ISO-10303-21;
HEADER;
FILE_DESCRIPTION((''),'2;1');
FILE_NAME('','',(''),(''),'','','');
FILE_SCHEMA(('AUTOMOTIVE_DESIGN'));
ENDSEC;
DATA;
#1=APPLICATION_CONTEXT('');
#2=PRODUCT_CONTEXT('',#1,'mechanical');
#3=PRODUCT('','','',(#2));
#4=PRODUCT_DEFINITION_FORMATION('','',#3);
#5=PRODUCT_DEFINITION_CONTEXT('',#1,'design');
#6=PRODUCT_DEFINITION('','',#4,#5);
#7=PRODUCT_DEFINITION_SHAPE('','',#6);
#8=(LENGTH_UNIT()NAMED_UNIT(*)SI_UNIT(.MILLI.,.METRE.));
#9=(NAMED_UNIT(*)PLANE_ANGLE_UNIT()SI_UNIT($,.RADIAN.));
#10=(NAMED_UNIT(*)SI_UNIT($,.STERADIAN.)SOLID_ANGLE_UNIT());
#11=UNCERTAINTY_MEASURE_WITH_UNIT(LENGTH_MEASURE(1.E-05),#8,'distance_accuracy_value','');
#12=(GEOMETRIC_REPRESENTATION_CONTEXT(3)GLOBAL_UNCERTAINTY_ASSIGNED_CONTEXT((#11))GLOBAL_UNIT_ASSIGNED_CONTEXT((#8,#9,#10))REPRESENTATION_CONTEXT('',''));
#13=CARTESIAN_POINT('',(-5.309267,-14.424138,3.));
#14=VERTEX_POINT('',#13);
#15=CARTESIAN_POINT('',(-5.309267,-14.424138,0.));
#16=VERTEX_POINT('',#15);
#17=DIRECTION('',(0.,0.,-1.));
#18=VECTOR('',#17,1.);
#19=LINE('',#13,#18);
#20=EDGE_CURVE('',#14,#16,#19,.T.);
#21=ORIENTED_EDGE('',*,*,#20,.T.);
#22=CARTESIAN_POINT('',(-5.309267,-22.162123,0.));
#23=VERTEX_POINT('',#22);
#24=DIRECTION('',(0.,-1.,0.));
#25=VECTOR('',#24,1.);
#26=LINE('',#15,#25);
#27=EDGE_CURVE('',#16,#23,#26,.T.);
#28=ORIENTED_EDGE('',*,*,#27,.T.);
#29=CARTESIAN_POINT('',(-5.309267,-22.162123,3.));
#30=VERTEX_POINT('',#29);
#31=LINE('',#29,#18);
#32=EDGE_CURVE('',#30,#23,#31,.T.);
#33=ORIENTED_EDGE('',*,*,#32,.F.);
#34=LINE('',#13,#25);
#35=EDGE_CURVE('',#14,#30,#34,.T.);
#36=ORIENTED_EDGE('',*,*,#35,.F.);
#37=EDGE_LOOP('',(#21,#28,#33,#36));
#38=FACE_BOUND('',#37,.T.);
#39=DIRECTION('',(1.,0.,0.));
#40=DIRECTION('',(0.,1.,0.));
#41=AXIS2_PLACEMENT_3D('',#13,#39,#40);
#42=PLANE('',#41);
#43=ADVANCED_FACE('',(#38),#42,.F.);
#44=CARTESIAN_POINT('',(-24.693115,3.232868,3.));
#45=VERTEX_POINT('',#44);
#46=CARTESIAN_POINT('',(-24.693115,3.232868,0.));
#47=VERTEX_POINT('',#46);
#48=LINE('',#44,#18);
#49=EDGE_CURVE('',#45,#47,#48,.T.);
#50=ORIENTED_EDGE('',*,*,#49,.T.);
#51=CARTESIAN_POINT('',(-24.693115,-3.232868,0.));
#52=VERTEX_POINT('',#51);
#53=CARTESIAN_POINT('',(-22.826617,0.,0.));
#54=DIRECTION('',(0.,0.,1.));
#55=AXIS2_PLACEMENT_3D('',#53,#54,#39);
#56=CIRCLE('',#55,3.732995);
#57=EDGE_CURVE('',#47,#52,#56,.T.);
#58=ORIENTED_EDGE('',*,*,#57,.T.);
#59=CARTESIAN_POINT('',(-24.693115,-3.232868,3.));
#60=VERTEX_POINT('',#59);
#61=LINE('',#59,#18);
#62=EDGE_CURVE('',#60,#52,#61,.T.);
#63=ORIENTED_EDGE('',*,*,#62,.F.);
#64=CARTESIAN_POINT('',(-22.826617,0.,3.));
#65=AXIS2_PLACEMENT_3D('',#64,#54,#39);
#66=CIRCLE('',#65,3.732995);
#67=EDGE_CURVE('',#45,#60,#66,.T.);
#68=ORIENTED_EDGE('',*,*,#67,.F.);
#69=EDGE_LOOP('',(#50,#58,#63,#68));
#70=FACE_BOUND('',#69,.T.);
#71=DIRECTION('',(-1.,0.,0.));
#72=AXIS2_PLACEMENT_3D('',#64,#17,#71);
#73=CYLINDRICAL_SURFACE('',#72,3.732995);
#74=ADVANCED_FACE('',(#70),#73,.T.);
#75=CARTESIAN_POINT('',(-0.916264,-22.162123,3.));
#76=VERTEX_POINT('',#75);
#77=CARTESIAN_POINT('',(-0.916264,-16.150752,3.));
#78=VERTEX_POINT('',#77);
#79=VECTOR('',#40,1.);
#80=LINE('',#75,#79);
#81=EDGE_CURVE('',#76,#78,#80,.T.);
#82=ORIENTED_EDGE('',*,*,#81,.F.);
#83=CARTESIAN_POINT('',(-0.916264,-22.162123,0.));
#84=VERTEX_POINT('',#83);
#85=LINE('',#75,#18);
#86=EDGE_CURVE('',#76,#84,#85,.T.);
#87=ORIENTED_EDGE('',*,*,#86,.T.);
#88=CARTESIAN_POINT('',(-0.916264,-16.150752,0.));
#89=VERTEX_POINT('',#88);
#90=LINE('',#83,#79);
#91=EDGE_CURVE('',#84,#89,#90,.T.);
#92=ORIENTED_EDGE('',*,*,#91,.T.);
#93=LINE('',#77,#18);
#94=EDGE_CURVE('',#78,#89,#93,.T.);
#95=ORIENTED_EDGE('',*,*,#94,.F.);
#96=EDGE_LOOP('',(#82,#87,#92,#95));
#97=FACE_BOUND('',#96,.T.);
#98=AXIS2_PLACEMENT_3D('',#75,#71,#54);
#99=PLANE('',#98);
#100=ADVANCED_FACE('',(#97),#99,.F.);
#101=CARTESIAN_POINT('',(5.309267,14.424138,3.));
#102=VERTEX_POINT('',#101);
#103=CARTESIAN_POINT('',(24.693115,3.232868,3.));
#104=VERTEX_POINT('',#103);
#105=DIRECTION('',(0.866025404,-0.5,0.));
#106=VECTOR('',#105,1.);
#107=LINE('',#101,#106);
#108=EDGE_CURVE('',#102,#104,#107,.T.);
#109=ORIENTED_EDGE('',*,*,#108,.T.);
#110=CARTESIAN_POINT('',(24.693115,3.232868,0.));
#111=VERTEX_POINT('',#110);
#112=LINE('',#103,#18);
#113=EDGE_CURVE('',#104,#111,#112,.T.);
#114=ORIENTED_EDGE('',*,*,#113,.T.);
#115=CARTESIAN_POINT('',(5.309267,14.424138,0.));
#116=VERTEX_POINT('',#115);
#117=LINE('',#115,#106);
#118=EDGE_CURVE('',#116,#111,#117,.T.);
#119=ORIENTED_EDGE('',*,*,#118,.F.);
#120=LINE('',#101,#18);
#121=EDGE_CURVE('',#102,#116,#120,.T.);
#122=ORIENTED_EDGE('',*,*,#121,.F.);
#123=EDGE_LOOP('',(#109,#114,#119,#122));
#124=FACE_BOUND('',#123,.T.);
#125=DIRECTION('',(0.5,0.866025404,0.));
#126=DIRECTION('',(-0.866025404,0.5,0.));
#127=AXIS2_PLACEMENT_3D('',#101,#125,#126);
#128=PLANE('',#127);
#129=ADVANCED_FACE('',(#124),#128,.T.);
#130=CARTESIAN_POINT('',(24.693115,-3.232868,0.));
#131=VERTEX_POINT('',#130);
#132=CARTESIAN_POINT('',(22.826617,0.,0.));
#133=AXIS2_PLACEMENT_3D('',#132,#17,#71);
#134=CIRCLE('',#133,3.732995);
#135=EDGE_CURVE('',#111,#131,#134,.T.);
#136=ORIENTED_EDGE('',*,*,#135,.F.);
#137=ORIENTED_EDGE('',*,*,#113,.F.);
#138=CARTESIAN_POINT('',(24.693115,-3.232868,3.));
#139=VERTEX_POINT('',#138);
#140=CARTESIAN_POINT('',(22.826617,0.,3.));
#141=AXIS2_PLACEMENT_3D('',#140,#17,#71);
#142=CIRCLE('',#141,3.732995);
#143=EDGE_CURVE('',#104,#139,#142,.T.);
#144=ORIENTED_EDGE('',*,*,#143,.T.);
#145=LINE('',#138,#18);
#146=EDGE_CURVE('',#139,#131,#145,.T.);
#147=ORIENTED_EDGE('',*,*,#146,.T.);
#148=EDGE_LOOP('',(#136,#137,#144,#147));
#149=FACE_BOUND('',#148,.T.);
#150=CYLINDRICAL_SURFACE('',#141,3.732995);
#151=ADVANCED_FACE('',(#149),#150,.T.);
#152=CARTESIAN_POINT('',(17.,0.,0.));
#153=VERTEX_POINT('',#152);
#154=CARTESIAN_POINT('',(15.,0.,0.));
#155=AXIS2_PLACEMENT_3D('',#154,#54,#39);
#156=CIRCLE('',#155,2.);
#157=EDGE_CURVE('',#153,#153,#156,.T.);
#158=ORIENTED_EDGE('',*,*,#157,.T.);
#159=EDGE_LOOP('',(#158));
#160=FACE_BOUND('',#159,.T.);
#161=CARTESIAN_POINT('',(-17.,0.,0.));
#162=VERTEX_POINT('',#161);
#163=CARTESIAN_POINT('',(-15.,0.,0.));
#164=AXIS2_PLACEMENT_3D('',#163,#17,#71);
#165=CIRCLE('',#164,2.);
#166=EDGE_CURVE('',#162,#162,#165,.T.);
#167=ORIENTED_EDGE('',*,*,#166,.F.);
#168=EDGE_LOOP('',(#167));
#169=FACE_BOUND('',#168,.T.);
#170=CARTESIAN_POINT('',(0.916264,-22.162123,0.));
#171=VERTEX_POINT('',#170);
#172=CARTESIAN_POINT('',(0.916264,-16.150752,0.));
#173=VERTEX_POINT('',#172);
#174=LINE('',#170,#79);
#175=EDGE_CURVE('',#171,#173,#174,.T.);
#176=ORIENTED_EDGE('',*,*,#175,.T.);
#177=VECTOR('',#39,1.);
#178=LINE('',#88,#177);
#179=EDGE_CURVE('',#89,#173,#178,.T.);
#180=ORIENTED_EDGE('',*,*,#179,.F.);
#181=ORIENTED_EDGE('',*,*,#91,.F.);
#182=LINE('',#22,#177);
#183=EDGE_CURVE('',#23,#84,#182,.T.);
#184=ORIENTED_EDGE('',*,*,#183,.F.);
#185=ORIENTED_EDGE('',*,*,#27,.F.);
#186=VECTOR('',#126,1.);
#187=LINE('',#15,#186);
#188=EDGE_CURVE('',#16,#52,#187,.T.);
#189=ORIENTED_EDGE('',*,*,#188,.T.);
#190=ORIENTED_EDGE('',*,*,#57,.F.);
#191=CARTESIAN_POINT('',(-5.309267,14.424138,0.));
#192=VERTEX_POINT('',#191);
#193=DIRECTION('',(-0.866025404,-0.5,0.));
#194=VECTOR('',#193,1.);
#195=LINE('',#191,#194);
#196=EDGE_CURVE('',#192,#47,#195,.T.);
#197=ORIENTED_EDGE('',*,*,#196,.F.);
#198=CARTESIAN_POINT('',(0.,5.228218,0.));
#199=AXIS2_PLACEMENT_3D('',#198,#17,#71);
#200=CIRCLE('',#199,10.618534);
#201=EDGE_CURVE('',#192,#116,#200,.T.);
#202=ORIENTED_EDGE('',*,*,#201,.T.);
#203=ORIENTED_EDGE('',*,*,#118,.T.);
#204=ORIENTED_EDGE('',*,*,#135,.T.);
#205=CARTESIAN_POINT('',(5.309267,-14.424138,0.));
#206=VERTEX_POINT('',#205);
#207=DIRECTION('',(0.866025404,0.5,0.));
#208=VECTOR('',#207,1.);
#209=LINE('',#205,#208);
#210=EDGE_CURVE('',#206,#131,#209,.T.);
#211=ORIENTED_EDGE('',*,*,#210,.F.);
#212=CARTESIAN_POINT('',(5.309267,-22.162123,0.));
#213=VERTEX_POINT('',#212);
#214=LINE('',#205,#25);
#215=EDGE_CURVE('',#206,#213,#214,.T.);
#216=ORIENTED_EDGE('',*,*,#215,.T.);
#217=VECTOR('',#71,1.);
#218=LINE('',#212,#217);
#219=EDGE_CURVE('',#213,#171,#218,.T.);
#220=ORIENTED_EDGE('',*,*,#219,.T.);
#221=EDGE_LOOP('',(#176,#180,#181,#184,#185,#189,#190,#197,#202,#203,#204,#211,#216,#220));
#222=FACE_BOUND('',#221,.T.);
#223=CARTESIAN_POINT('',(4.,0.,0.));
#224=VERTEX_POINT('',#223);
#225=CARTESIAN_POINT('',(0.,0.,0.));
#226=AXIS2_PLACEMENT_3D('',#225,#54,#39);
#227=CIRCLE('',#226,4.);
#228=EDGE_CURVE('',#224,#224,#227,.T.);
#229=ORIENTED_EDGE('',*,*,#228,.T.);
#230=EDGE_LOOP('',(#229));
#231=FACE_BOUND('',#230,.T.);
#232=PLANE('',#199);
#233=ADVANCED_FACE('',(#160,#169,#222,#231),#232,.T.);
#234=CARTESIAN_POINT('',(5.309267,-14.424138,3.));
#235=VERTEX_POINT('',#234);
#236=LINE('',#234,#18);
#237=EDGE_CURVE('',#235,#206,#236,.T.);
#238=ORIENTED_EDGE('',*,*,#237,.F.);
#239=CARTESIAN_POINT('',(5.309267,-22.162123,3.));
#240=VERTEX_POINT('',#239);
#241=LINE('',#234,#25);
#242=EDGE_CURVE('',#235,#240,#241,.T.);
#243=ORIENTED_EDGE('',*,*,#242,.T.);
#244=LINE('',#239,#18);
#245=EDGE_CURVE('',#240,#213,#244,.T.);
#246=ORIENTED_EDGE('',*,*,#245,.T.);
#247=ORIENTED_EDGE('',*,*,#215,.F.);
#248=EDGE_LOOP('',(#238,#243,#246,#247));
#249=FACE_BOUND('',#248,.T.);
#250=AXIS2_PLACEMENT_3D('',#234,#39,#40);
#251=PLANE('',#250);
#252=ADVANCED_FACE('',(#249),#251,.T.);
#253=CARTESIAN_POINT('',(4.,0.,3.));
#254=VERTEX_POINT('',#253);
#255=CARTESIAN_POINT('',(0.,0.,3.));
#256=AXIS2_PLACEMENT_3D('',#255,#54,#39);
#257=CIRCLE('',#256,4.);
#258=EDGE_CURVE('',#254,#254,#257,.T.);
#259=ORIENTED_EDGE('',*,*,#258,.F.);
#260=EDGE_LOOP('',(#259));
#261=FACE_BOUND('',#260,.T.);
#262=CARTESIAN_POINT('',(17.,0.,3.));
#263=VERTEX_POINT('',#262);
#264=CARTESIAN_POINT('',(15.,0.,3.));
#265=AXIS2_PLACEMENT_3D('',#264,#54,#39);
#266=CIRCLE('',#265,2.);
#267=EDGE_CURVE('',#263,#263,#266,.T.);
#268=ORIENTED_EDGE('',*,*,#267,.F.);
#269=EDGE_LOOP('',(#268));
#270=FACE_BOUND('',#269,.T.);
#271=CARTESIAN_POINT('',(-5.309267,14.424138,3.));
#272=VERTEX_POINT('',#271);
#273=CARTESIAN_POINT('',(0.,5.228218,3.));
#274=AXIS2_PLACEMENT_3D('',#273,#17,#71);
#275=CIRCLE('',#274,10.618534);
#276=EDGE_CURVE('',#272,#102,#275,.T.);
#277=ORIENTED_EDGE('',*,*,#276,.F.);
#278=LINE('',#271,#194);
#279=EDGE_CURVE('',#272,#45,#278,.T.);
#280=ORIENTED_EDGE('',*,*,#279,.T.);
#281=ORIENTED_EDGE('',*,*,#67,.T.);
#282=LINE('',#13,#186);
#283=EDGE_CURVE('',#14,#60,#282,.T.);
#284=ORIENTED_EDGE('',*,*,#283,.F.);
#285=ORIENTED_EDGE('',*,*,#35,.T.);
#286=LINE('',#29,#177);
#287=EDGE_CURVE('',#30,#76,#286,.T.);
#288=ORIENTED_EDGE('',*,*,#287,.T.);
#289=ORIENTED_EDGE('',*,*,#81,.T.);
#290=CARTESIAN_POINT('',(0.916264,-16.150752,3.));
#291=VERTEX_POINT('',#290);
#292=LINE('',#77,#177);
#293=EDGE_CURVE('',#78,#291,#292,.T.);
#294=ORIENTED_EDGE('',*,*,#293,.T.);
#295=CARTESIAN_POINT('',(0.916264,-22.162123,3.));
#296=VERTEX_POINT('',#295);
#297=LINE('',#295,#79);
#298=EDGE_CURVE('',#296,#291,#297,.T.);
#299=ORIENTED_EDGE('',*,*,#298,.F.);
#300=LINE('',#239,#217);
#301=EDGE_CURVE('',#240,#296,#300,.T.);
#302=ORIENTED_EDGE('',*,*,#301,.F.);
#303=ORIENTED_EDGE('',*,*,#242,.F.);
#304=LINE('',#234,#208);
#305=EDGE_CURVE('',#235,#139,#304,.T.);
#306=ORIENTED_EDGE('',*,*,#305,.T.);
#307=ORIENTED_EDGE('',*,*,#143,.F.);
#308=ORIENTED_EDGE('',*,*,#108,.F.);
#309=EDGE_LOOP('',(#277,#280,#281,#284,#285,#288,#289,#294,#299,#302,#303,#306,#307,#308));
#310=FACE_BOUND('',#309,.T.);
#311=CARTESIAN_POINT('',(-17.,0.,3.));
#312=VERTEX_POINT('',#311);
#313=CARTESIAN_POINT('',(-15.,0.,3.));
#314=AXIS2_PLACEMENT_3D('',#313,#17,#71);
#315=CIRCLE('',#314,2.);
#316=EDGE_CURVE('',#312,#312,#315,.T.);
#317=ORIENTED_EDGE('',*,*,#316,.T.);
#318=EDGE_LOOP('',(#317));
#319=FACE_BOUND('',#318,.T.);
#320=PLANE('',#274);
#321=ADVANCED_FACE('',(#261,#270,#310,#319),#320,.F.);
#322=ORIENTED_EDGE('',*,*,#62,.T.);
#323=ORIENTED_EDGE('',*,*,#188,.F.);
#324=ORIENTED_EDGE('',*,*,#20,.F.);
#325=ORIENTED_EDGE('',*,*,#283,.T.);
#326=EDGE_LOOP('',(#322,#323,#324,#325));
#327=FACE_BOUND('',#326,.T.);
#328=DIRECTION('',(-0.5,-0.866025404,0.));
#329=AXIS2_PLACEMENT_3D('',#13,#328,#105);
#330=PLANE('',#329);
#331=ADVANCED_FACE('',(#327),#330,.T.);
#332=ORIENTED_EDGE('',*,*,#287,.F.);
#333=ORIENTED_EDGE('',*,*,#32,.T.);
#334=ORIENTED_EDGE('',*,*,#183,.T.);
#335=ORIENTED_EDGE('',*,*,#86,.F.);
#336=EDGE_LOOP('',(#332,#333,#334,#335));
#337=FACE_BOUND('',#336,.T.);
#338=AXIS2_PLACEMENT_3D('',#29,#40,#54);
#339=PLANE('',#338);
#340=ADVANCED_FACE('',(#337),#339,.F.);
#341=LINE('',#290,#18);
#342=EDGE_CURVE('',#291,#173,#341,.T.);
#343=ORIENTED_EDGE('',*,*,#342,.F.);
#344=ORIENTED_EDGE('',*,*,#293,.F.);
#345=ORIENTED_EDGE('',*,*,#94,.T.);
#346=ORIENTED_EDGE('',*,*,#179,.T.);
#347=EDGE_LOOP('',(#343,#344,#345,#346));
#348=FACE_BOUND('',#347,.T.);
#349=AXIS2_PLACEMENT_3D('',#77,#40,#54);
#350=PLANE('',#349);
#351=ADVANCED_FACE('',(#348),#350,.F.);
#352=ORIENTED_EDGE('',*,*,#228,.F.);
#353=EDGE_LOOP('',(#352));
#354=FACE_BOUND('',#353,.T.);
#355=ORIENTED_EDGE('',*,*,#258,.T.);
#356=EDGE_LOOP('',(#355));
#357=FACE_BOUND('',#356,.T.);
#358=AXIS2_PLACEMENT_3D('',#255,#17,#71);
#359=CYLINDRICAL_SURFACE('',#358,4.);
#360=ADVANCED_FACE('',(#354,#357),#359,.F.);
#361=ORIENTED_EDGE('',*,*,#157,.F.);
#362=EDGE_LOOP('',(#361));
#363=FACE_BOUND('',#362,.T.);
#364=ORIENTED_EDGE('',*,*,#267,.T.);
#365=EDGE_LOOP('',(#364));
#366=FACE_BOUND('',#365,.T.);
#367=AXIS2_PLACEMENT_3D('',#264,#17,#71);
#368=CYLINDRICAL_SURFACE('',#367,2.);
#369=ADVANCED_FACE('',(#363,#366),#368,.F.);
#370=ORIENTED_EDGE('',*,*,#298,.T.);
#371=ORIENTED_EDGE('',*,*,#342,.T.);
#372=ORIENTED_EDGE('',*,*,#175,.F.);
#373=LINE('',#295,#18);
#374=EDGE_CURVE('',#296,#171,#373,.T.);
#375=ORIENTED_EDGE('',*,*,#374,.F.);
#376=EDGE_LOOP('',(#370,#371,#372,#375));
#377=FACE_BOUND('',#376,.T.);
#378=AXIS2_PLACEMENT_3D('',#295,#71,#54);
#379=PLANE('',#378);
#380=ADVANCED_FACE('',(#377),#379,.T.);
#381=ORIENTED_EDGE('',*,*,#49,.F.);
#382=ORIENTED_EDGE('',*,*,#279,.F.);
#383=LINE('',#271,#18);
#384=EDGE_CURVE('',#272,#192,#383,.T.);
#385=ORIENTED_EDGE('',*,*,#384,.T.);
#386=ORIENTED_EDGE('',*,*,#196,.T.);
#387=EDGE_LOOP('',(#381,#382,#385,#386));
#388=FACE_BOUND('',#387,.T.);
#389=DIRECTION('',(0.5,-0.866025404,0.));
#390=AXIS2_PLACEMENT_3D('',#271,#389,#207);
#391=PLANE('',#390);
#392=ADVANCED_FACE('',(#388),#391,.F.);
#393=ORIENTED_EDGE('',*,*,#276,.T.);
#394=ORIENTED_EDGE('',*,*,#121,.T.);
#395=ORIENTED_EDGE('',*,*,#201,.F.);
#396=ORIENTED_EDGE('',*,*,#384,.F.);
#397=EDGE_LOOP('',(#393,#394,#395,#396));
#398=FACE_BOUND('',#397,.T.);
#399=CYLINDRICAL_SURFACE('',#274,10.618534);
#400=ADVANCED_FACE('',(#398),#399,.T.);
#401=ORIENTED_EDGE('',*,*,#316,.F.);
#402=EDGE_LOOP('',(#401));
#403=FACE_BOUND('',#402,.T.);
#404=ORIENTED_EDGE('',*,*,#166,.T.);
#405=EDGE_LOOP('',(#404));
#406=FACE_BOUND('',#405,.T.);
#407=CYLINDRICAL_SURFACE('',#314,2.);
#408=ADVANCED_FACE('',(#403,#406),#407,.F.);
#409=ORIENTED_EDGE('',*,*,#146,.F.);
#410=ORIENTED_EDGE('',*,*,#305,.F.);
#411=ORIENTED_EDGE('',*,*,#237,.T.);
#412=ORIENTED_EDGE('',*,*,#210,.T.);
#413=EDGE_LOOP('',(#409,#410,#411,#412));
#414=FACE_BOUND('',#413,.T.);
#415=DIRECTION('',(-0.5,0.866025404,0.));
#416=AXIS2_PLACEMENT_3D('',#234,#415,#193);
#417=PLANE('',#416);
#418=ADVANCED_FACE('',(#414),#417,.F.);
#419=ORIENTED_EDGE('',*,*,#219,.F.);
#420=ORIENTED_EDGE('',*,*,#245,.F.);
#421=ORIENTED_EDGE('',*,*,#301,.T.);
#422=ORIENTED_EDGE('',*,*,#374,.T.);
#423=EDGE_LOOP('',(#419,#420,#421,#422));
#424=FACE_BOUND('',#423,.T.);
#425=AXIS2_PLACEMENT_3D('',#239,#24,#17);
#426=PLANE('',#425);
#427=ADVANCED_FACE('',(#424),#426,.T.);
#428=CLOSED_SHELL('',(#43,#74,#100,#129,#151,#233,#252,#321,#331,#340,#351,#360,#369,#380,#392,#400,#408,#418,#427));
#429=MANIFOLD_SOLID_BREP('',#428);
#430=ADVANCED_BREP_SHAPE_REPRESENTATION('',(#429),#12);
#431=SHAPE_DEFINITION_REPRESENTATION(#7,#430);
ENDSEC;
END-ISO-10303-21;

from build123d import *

# Parameters (mm, degrees)
SKETCH_1_R      = 4
SKETCH_1_R_2    = 2
EXTRUDE_1_DEPTH = 3


with BuildPart() as part:
    # 草图1 → 凸台-拉伸1 (new body)
    with BuildSketch(Plane.XY):
        with BuildLine():
            Line((5.309266756, 14.424138209), (24.693114579, 3.23286845))
            ThreePointArc((24.693114579, 3.23286845), (26.559612049, 0), (24.693114579, -3.23286845))
            Line((24.693114579, -3.23286845), (5.309266756, -14.424138209))
            Line((5.309266756, -14.424138209), (5.309266756, -22.162123177))
            Line((5.309266756, -22.162123177), (0.916263641, -22.162123177))
            Line((0.916263641, -22.162123177), (0.916263641, -16.150751559))
            Line((0.916263641, -16.150751559), (-0.916263641, -16.150751559))
            Line((-0.916263641, -16.150751559), (-0.916263641, -22.162123177))
            Line((-0.916263641, -22.162123177), (-5.309266756, -22.162123177))
            Line((-5.309266756, -22.162123177), (-5.309266756, -14.424138209))
            Line((-5.309266756, -14.424138209), (-24.693114579, -3.23286845))
            ThreePointArc((-24.693114579, -3.23286845), (-26.559612049, 0), (-24.693114579, 3.23286845))
            Line((-24.693114579, 3.23286845), (-5.309266756, 14.424138209))
            ThreePointArc((-5.309266756, 14.424138209), (0, 15.846751948), (5.309266756, 14.424138209))
        make_face()
        Circle(SKETCH_1_R, mode=Mode.SUBTRACT)
        with Locations((15, 0)):
            Circle(SKETCH_1_R_2, mode=Mode.SUBTRACT)
        with Locations(Location((-15, 0, 0), (0, 0, 180))):
            Circle(SKETCH_1_R_2, mode=Mode.SUBTRACT)
    extrude(amount=EXTRUDE_1_DEPTH)


solid = part.part
